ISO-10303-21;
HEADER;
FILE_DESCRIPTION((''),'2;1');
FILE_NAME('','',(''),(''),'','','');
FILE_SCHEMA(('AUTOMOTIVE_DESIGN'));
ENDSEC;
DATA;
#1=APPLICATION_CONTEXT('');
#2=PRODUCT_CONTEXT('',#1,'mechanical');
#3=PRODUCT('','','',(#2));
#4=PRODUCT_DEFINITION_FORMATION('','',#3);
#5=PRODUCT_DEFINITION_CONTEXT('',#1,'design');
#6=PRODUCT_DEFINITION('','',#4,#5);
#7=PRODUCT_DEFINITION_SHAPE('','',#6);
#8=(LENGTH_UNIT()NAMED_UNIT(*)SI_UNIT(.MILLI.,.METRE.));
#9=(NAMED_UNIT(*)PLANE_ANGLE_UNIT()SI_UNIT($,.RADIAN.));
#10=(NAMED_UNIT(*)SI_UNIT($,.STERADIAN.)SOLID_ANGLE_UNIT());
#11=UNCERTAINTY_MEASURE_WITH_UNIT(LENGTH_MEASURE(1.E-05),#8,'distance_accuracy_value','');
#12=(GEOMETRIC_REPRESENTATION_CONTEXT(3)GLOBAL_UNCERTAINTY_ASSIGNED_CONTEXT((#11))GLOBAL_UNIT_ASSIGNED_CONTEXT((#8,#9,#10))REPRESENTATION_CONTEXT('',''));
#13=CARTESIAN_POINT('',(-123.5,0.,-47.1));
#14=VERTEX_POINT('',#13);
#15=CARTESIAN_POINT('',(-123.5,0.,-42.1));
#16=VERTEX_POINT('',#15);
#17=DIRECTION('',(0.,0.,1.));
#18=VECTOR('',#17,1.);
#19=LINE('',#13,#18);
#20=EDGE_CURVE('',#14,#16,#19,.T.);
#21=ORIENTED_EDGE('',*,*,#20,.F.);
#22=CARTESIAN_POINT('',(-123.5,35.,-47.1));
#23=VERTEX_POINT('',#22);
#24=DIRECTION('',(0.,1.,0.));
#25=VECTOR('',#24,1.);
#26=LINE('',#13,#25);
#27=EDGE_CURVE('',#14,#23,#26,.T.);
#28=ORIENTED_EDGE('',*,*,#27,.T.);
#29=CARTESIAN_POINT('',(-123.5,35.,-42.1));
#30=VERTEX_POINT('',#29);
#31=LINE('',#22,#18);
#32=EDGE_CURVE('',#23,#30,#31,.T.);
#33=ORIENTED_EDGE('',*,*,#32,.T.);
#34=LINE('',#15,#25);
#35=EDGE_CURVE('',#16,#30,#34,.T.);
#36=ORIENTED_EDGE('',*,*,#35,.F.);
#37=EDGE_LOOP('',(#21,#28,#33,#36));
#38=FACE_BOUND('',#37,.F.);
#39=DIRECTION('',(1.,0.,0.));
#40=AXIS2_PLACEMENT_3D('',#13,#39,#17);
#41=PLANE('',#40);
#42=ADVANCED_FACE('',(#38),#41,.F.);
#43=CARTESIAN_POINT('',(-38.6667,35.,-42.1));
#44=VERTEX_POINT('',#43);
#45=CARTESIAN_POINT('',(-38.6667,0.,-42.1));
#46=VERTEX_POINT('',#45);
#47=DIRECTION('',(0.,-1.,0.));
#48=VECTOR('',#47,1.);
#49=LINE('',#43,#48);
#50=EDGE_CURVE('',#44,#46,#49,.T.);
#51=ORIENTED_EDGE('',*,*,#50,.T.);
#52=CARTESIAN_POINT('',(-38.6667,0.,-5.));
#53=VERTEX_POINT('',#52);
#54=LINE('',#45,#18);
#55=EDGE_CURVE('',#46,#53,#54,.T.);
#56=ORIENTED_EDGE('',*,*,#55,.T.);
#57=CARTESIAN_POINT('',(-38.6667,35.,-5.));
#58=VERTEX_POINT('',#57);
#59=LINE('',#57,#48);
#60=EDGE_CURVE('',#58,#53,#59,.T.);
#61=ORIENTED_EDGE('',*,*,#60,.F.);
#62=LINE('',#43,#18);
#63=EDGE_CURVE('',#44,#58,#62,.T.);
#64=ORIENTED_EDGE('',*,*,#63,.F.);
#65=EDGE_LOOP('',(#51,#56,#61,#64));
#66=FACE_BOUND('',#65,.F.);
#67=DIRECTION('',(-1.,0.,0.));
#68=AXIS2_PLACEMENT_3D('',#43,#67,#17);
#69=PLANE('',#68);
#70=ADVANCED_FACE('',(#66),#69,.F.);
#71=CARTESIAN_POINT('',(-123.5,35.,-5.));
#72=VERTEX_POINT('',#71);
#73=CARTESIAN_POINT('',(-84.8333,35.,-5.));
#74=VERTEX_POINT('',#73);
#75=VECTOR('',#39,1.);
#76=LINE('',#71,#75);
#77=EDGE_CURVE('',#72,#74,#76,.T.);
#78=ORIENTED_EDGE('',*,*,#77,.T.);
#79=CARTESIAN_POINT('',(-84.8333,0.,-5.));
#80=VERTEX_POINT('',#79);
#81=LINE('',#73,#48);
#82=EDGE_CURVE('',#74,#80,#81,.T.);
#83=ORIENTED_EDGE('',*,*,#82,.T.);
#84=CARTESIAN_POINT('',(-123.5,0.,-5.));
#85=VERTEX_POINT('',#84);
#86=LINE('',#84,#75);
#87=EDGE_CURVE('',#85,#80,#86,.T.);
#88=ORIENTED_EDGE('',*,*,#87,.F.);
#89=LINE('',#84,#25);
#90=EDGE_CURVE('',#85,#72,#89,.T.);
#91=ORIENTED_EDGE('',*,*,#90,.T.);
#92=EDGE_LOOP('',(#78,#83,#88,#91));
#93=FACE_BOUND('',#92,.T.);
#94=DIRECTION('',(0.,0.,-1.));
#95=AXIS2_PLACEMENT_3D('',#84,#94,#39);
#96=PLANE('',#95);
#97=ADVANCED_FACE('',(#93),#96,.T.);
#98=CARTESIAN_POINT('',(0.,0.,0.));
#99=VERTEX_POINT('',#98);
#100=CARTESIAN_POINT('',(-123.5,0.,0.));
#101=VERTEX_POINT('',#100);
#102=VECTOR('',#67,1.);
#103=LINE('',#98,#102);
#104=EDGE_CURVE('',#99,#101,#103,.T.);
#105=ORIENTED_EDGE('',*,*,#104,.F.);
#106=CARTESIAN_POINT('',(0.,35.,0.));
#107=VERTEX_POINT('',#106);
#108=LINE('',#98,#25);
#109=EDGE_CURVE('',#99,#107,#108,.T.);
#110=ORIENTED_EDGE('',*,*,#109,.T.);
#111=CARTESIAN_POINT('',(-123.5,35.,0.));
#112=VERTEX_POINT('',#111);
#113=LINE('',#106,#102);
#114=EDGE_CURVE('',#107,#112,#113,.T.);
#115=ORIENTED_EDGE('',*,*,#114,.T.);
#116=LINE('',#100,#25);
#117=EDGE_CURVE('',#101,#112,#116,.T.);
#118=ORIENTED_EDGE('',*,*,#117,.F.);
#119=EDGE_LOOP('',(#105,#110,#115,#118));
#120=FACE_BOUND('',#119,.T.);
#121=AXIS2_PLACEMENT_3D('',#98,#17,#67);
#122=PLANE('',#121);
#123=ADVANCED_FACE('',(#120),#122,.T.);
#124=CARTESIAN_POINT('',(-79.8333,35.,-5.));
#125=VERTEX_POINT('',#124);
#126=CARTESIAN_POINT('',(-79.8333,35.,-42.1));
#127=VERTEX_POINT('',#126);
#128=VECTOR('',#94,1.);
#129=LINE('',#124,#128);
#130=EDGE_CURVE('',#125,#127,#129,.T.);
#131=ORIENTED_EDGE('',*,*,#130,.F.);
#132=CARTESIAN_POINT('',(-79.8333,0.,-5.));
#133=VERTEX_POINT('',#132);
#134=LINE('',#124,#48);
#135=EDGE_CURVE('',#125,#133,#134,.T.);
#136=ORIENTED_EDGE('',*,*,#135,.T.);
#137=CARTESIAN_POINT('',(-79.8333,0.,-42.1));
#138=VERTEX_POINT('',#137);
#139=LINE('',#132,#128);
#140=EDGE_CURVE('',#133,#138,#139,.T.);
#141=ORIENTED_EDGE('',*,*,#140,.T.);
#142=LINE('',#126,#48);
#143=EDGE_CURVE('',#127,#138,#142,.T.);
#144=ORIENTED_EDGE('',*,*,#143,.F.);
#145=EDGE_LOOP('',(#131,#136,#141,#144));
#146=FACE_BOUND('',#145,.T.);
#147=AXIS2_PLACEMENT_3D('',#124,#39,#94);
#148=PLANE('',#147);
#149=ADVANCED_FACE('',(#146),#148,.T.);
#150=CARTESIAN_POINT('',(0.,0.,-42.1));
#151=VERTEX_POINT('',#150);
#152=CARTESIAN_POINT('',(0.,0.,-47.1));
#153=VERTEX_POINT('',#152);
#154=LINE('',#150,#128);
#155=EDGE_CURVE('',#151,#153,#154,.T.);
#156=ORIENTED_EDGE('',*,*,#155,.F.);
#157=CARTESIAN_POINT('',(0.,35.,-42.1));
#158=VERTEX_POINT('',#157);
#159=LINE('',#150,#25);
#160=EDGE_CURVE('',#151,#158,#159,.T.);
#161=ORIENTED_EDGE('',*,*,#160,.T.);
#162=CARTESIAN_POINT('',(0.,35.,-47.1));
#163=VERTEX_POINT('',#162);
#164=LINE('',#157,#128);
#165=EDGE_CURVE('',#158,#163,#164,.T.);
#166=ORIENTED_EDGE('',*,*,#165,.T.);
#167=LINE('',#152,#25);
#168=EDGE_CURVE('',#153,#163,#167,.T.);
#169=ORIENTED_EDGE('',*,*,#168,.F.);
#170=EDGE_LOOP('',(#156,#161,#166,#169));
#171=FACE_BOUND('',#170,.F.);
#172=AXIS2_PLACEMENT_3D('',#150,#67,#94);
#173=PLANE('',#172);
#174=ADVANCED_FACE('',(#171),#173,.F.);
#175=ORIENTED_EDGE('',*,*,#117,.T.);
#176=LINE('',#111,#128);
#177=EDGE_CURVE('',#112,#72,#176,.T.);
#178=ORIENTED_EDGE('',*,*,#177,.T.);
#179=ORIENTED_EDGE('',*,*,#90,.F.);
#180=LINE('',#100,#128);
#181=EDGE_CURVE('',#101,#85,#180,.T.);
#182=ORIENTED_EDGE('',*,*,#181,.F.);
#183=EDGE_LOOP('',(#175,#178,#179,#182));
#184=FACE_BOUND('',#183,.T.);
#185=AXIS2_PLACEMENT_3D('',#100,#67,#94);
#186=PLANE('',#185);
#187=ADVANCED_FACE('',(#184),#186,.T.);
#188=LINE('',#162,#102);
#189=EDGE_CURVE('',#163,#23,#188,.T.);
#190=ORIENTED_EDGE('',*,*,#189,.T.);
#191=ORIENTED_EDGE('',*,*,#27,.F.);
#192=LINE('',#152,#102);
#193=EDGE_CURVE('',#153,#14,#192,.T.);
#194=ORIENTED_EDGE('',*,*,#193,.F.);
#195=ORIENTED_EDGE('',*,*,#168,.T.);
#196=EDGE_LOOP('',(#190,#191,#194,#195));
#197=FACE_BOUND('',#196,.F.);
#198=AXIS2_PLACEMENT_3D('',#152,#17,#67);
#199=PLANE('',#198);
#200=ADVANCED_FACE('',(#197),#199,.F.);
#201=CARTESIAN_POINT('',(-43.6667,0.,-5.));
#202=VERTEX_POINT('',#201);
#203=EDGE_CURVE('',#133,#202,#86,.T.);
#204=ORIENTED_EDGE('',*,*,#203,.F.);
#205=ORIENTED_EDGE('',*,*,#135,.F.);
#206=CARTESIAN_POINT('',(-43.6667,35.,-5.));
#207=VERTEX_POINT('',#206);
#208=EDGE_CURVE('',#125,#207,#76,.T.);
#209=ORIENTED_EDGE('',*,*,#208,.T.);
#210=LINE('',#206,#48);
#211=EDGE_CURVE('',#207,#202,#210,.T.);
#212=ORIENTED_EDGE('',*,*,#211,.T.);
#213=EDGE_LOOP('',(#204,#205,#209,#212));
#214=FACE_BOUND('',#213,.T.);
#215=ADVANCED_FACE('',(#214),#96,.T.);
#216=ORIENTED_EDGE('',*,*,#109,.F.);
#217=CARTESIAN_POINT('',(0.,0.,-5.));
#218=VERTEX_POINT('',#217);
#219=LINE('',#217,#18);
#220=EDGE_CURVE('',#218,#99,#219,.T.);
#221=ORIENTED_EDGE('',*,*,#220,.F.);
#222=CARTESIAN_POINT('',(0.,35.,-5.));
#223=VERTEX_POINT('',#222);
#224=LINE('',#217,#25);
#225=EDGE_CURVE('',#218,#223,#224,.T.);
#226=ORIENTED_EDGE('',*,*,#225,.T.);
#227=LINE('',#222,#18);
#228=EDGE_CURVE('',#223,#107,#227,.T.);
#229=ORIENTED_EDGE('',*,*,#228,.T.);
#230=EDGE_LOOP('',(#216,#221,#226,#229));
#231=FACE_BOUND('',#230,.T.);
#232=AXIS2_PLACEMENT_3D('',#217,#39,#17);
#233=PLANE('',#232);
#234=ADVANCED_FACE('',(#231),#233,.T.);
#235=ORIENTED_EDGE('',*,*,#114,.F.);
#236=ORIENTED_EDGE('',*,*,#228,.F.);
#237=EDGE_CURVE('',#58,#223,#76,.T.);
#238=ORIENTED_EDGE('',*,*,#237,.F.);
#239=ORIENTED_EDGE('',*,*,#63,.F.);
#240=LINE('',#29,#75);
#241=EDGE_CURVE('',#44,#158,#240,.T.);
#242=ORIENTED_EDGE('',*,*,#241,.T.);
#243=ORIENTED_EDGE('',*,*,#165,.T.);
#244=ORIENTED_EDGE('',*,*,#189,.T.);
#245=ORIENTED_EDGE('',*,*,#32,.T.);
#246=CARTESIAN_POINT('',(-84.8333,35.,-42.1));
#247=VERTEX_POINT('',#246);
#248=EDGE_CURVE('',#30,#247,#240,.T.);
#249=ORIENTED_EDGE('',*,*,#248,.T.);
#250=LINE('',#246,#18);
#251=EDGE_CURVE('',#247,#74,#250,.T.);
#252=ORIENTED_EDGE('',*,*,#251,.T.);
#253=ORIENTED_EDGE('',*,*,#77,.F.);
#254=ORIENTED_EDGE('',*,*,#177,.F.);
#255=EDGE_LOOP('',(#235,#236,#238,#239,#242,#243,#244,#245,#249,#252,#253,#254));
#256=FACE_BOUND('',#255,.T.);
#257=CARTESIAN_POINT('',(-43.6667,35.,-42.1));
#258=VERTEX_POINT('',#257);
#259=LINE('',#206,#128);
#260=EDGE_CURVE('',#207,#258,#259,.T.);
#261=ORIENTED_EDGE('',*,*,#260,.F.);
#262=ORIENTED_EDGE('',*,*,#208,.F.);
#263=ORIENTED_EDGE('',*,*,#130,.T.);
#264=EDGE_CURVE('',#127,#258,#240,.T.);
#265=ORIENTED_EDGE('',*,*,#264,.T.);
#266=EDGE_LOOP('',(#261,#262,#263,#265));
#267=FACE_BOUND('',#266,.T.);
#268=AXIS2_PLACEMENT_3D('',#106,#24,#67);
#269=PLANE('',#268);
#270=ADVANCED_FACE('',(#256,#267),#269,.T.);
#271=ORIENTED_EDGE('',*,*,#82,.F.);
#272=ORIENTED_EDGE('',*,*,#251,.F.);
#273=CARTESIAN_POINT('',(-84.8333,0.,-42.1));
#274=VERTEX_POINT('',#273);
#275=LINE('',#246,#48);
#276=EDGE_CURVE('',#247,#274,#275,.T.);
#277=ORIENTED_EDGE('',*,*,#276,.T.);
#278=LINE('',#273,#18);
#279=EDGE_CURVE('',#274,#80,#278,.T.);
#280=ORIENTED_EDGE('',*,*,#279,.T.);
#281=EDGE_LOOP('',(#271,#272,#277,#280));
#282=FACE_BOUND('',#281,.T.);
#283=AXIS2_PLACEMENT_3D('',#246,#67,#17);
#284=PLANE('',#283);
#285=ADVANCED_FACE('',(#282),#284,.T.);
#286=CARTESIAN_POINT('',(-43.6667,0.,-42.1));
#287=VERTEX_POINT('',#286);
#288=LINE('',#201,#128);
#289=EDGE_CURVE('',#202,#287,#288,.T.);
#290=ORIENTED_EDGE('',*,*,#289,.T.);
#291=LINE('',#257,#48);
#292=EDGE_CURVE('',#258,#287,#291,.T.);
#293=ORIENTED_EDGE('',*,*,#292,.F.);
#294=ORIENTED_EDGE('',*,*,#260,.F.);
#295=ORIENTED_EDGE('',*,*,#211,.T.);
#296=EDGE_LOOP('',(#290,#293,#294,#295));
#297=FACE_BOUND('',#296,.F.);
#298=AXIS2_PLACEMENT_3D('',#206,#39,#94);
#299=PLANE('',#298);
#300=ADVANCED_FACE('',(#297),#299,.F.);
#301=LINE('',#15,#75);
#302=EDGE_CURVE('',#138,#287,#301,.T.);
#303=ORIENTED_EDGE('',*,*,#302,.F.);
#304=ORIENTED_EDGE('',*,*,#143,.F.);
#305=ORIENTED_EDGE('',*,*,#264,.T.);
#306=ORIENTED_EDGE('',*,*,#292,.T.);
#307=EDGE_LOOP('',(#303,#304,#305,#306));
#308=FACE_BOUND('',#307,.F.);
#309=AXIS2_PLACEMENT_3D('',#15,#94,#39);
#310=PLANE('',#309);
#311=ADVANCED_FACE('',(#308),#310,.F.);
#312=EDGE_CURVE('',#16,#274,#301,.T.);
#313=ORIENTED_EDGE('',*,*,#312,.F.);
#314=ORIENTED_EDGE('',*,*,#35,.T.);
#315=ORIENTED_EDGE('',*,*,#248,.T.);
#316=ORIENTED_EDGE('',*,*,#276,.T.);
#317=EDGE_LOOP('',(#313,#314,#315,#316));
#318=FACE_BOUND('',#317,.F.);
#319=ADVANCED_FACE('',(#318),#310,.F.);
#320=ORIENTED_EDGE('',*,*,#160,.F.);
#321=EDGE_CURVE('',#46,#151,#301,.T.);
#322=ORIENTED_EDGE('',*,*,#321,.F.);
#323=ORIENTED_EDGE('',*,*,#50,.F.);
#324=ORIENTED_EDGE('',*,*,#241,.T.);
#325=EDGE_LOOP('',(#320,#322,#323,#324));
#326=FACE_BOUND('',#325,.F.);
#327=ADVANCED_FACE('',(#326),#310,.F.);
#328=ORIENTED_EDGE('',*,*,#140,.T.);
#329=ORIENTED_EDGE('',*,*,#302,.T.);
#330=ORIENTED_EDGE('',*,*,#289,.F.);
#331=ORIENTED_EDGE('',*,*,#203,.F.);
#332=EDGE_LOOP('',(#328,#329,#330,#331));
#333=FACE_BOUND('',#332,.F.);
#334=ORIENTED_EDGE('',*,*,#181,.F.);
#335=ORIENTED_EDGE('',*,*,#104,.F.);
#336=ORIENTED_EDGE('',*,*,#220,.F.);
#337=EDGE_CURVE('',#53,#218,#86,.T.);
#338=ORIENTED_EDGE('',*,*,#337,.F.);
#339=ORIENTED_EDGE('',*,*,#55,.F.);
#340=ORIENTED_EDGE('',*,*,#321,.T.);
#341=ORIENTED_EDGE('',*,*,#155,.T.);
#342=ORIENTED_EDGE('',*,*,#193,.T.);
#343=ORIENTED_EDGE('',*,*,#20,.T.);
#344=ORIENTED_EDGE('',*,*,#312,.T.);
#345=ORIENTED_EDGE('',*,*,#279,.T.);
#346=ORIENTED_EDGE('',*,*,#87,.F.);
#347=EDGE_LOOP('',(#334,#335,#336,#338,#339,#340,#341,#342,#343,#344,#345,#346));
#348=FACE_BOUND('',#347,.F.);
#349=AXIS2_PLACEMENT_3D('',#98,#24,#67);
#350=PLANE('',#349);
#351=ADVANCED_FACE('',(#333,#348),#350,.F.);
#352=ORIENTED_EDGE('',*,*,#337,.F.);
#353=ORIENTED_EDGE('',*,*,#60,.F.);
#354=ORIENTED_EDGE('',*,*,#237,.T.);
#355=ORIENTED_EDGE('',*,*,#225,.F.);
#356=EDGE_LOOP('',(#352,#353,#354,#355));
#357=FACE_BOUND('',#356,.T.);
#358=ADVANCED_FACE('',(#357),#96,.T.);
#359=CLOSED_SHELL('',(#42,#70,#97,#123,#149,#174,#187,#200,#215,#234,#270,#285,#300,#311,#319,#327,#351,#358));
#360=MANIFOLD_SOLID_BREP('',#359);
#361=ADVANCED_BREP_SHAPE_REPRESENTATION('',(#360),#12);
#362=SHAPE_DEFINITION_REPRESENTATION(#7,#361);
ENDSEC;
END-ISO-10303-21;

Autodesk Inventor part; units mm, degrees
ref_plane "YZ Plane" through (0, 0, 0) normal (1, 0, 0) x (0, 1, 0)
ref_plane "XZ Plane" through (0, 0, 0) normal (0, 1, 0) x (-1, 0, 0)
ref_plane "XY Plane" through (0, 0, 0) normal (0, 0, 1) x (1, 0, 0)
sketch "Sketch1" plane through (0, 0, 0) normal (0, 1, 0) x (-1, 0, 0)
  line L0 (0, 0) -> (123.5, 0)
  line L1 (123.5, 0) -> (123.5, -5)
  line L2 (123.5, -5) -> (0, -5)
  line L3 (0, -5) -> (0, 0)
  line L4 (0, -47.1) -> (123.5, -47.1)
  line L5 (123.5, -47.1) -> (123.5, -42.1)
  line L6 (123.5, -42.1) -> (0, -42.1)
  line L7 (0, -42.1) -> (0, -47.1)
  dimension "d0" = 123.5
  dimension "d1" = 5
  dimension "d2" = 123.5
  dimension "d3" = 5
  dimension "d4" = 47.1
  dimension "d7" = 0
extrude "Extrusion1" add sketch "Sketch1" along normal blind 35
sketch "Sketch2" plane through (0, 35, 0) normal (0, 1, 0) x (1, 0, 0)
  line L0 (-123.5, 0) -> (0, 0) projected
  line L1 (0, 0) -> (0, 5) projected
  line L2 (0, 5) -> (-123.5, 5) projected
  line L3 (-123.5, 5) -> (-123.5, 0) projected
  line L4 (0, 47.1) -> (-123.5, 47.1) projected
  line L5 (-123.5, 47.1) -> (-123.5, 42.1) projected
  line L6 (-123.5, 42.1) -> (0, 42.1) projected
  line L7 (0, 42.1) -> (0, 47.1) projected
  line L8 (-38.6667, 5) -> (-43.6667, 5)
  line L9 (-43.6667, 5) -> (-43.6667, 42.1)
  line L10 (-43.6667, 42.1) -> (-38.6667, 42.1)
  line L11 (-38.6667, 42.1) -> (-38.6667, 5)
  line L12 (-123.5, 42.1) -> (0, 42.1) projected
  line L13 (-84.8333, 5) -> (-79.8333, 5)
  line L14 (-79.8333, 5) -> (-79.8333, 42.1)
  line L15 (-79.8333, 42.1) -> (-84.8333, 42.1)
  line L16 (-84.8333, 42.1) -> (-84.8333, 5)
  dimension "d8" = 5
  dimension "d9" = 5
  dimension "d10" = 38.6667
  dimension "d11" = 38.6667
extrude "Extrusion2" add sketch "Sketch2" against normal blind 35 contours L16 L6 L14 L2 | L2 L9 L6 L11
properties part number "Parametric"
